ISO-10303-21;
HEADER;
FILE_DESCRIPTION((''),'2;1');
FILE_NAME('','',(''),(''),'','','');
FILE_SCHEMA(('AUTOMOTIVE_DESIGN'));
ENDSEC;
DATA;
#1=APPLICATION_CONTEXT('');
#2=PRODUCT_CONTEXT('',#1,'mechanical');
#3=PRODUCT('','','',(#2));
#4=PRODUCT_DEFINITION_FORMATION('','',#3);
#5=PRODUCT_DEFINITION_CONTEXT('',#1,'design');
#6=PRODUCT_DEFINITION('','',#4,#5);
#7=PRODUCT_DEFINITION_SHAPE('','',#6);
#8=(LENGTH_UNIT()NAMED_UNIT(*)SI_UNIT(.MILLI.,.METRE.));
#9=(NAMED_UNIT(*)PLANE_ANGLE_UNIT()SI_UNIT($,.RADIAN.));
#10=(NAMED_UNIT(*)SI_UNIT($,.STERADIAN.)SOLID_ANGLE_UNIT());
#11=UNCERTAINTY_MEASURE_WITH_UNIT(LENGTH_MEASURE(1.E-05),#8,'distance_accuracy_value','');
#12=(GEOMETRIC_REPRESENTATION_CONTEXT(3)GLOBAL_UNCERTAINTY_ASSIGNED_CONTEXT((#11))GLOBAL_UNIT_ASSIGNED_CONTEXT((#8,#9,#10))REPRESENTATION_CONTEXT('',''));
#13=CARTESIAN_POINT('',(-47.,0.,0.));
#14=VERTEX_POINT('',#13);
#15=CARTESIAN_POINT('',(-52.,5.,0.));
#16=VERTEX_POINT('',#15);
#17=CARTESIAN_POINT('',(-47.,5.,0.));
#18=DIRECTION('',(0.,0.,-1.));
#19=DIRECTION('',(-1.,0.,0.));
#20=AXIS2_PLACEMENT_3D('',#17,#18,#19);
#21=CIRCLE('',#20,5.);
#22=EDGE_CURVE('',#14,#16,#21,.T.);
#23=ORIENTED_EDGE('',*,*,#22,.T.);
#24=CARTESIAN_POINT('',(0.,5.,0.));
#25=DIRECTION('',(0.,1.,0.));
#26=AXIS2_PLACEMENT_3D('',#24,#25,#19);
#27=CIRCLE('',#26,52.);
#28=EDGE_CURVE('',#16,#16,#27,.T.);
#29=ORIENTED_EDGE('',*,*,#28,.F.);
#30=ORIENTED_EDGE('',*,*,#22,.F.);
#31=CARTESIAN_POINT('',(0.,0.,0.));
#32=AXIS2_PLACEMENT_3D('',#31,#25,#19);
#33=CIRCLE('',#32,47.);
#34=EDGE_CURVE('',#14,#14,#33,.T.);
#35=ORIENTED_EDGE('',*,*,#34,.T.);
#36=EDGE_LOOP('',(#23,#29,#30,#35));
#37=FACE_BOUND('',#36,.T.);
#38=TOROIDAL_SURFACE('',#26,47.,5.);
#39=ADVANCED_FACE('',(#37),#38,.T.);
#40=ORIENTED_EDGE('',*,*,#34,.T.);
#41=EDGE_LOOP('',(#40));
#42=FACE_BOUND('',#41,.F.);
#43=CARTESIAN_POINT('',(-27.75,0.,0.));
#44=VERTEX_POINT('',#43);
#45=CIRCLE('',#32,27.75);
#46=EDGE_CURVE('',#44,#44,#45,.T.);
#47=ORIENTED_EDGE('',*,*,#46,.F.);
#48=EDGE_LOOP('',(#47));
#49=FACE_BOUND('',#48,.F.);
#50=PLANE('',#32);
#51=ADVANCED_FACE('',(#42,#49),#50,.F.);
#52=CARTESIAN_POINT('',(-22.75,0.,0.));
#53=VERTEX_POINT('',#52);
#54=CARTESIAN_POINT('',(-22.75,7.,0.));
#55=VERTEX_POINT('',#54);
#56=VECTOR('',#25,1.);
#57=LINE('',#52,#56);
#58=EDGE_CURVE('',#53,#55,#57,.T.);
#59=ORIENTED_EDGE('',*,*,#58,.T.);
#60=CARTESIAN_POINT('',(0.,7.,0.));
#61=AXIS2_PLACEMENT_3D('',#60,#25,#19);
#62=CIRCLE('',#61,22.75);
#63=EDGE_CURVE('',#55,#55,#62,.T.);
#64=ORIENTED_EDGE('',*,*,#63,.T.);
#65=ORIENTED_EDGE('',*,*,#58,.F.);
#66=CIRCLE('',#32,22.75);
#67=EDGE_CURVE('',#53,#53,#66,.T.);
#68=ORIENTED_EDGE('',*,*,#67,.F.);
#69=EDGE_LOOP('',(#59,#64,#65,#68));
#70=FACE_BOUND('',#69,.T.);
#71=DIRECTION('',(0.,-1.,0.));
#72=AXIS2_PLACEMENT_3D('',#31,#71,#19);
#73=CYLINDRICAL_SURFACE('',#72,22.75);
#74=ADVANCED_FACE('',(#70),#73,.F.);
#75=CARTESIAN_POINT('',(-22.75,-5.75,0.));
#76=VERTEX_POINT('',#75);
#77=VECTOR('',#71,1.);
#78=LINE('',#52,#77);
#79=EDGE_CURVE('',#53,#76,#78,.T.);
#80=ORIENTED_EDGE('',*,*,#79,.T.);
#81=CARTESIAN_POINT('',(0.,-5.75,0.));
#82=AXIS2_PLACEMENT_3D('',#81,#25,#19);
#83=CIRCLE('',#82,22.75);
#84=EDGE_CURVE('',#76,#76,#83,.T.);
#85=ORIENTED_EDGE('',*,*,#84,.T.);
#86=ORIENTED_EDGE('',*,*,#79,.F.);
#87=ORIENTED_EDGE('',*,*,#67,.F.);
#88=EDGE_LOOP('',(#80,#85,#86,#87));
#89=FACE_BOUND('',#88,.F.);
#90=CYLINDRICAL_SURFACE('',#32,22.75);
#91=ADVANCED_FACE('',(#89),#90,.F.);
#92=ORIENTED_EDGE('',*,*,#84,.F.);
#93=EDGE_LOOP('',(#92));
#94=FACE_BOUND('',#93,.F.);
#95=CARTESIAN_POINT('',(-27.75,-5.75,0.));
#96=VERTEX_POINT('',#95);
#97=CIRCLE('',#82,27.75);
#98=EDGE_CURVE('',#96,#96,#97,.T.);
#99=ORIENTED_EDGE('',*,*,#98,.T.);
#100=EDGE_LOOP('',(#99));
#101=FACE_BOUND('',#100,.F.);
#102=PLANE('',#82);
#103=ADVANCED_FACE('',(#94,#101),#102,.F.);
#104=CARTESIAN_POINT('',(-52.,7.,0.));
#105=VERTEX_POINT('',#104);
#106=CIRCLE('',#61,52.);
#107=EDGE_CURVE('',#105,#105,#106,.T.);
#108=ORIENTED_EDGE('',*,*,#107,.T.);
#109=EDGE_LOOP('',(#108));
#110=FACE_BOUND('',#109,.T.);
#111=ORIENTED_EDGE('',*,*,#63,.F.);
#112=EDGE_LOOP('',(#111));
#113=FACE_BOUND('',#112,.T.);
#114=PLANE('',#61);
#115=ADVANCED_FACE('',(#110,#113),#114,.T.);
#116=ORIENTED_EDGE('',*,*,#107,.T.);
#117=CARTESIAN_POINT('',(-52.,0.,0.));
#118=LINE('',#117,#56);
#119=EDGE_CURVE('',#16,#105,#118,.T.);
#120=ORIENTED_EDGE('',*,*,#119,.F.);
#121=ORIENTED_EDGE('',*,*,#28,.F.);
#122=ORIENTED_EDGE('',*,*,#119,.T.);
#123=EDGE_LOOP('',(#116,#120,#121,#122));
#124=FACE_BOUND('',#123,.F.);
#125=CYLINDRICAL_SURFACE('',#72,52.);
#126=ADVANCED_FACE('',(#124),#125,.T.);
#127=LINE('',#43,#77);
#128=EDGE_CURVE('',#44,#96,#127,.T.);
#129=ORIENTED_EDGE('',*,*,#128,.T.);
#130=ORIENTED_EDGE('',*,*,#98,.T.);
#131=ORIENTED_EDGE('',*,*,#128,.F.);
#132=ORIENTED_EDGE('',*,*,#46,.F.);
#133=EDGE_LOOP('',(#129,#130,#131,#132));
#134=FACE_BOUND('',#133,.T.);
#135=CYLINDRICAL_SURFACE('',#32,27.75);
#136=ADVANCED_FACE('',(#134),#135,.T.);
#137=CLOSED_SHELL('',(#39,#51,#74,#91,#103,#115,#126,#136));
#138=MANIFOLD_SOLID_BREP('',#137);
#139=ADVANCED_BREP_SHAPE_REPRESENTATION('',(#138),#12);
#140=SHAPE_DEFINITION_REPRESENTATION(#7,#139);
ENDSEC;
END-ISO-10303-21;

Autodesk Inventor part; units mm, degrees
ref_plane "YZ Plane" through (0, 0, 0) normal (1, 0, 0) x (0, 1, 0)
ref_plane "XZ Plane" through (0, 0, 0) normal (0, 1, 0) x (-1, 0, 0)
ref_plane "XY Plane" through (0, 0, 0) normal (0, 0, 1) x (1, 0, 0)
sketch "Sketch1" plane through (0, 0, 0) normal (0, 1, 0) x (-1, 0, 0)
  circle A0 centre (0, 0) radius 22.75
  circle A1 centre (0, 0) radius 52
  circle A2 centre (0, 0) radius 27.75
  dimension "d0" = 45.5
  dimension "d1" = 104
  dimension "d2" = 55.5
extrude "Extrusion1" add sketch "Sketch1" along normal blind 7 contours A1 | A2
extrude "Extrusion2" add sketch "Sketch1" against normal blind 5.75 contours A2
fillet "Fillet1" radius 5 1 edges at (52, 0, 0)
properties part number "motor_chain_guide_outer"
